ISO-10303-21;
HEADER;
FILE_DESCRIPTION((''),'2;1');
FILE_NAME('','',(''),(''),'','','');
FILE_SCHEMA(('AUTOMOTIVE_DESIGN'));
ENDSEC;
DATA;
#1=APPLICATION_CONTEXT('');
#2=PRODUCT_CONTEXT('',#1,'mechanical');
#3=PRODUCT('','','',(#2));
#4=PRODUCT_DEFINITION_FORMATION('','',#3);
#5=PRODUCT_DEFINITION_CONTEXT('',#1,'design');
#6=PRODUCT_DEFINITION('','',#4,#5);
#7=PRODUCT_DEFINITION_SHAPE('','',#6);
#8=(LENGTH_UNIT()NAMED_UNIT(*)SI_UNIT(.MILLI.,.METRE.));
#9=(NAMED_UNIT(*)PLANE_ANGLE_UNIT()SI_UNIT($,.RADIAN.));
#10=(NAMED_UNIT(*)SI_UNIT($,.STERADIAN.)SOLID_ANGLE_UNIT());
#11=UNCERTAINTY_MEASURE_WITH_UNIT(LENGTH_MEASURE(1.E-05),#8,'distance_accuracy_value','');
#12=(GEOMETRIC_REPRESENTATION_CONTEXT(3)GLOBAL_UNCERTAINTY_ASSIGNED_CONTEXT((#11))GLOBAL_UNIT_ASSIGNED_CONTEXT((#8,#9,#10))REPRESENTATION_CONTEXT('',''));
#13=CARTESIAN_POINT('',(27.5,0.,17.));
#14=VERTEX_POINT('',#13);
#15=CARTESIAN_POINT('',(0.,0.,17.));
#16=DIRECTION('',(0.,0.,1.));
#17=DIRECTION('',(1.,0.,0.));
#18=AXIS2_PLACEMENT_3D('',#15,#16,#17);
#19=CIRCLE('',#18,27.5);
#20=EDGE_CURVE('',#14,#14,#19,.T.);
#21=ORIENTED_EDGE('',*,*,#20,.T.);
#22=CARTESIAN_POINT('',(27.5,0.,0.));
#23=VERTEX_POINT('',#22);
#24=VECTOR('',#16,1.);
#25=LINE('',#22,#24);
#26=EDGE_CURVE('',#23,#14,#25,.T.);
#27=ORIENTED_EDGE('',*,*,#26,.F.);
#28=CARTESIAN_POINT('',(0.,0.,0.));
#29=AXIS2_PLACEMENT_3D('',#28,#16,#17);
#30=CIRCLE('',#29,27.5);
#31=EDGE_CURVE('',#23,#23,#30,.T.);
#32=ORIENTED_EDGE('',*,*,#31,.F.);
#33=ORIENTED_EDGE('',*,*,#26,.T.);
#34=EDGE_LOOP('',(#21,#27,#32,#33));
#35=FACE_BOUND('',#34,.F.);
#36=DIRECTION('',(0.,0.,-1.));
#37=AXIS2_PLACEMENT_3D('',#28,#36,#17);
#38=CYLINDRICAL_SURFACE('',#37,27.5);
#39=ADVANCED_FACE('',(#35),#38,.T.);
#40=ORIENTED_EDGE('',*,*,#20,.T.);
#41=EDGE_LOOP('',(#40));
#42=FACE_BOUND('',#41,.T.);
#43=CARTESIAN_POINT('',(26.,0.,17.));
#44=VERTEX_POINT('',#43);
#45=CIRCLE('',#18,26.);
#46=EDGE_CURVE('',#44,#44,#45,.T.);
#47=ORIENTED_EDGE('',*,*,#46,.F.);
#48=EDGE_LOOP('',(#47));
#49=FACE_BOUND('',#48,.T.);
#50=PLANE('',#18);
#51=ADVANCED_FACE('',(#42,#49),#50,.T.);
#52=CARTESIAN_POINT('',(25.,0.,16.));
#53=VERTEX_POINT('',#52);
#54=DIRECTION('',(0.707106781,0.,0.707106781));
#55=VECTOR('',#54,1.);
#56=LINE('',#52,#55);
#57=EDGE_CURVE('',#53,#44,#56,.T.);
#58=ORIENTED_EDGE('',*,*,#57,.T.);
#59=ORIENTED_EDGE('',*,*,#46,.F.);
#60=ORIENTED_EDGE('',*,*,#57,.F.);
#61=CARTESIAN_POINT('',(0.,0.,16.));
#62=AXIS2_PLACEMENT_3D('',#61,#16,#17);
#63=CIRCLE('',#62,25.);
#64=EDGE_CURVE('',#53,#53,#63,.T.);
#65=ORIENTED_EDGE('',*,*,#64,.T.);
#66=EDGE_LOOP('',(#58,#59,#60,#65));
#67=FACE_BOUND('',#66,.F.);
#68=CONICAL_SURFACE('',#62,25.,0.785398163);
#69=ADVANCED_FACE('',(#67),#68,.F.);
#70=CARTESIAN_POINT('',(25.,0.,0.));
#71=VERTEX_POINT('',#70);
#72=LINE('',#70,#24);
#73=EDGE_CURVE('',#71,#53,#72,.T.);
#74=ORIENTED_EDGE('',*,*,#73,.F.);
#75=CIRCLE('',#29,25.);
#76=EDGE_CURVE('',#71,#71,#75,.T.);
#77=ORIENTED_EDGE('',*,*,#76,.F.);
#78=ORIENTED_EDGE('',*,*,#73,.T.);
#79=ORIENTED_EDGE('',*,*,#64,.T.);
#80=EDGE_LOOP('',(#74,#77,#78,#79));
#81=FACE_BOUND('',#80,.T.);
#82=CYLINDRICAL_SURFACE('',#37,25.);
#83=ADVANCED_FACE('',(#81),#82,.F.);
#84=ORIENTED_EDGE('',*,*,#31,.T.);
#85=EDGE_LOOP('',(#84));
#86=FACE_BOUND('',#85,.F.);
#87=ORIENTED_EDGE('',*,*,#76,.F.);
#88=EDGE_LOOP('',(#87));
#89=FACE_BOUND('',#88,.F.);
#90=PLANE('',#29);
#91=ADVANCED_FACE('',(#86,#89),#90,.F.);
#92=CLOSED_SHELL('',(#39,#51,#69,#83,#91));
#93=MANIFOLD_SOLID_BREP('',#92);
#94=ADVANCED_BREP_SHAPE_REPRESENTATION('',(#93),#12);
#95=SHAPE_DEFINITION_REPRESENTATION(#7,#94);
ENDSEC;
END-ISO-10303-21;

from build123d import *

# Parameters (mm, degrees)
SKETCH_R     = 27.5
SKETCH_R_2   = 25
PAD_DEPTH    = 17
CHAMFER_SIZE = 1


with BuildPart() as part:
    # Sketch → Pad (new body)
    with BuildSketch(Plane.XY):
        Circle(SKETCH_R)
        Circle(SKETCH_R_2, mode=Mode.SUBTRACT)
    extrude(amount=PAD_DEPTH)

    # Chamfer
    chamfer_edges = [part.edges().sort_by_distance(p)[0] for p in [
        (-25, 0, 17),
    ]]
    chamfer(chamfer_edges, length=CHAMFER_SIZE)


solid = part.part
